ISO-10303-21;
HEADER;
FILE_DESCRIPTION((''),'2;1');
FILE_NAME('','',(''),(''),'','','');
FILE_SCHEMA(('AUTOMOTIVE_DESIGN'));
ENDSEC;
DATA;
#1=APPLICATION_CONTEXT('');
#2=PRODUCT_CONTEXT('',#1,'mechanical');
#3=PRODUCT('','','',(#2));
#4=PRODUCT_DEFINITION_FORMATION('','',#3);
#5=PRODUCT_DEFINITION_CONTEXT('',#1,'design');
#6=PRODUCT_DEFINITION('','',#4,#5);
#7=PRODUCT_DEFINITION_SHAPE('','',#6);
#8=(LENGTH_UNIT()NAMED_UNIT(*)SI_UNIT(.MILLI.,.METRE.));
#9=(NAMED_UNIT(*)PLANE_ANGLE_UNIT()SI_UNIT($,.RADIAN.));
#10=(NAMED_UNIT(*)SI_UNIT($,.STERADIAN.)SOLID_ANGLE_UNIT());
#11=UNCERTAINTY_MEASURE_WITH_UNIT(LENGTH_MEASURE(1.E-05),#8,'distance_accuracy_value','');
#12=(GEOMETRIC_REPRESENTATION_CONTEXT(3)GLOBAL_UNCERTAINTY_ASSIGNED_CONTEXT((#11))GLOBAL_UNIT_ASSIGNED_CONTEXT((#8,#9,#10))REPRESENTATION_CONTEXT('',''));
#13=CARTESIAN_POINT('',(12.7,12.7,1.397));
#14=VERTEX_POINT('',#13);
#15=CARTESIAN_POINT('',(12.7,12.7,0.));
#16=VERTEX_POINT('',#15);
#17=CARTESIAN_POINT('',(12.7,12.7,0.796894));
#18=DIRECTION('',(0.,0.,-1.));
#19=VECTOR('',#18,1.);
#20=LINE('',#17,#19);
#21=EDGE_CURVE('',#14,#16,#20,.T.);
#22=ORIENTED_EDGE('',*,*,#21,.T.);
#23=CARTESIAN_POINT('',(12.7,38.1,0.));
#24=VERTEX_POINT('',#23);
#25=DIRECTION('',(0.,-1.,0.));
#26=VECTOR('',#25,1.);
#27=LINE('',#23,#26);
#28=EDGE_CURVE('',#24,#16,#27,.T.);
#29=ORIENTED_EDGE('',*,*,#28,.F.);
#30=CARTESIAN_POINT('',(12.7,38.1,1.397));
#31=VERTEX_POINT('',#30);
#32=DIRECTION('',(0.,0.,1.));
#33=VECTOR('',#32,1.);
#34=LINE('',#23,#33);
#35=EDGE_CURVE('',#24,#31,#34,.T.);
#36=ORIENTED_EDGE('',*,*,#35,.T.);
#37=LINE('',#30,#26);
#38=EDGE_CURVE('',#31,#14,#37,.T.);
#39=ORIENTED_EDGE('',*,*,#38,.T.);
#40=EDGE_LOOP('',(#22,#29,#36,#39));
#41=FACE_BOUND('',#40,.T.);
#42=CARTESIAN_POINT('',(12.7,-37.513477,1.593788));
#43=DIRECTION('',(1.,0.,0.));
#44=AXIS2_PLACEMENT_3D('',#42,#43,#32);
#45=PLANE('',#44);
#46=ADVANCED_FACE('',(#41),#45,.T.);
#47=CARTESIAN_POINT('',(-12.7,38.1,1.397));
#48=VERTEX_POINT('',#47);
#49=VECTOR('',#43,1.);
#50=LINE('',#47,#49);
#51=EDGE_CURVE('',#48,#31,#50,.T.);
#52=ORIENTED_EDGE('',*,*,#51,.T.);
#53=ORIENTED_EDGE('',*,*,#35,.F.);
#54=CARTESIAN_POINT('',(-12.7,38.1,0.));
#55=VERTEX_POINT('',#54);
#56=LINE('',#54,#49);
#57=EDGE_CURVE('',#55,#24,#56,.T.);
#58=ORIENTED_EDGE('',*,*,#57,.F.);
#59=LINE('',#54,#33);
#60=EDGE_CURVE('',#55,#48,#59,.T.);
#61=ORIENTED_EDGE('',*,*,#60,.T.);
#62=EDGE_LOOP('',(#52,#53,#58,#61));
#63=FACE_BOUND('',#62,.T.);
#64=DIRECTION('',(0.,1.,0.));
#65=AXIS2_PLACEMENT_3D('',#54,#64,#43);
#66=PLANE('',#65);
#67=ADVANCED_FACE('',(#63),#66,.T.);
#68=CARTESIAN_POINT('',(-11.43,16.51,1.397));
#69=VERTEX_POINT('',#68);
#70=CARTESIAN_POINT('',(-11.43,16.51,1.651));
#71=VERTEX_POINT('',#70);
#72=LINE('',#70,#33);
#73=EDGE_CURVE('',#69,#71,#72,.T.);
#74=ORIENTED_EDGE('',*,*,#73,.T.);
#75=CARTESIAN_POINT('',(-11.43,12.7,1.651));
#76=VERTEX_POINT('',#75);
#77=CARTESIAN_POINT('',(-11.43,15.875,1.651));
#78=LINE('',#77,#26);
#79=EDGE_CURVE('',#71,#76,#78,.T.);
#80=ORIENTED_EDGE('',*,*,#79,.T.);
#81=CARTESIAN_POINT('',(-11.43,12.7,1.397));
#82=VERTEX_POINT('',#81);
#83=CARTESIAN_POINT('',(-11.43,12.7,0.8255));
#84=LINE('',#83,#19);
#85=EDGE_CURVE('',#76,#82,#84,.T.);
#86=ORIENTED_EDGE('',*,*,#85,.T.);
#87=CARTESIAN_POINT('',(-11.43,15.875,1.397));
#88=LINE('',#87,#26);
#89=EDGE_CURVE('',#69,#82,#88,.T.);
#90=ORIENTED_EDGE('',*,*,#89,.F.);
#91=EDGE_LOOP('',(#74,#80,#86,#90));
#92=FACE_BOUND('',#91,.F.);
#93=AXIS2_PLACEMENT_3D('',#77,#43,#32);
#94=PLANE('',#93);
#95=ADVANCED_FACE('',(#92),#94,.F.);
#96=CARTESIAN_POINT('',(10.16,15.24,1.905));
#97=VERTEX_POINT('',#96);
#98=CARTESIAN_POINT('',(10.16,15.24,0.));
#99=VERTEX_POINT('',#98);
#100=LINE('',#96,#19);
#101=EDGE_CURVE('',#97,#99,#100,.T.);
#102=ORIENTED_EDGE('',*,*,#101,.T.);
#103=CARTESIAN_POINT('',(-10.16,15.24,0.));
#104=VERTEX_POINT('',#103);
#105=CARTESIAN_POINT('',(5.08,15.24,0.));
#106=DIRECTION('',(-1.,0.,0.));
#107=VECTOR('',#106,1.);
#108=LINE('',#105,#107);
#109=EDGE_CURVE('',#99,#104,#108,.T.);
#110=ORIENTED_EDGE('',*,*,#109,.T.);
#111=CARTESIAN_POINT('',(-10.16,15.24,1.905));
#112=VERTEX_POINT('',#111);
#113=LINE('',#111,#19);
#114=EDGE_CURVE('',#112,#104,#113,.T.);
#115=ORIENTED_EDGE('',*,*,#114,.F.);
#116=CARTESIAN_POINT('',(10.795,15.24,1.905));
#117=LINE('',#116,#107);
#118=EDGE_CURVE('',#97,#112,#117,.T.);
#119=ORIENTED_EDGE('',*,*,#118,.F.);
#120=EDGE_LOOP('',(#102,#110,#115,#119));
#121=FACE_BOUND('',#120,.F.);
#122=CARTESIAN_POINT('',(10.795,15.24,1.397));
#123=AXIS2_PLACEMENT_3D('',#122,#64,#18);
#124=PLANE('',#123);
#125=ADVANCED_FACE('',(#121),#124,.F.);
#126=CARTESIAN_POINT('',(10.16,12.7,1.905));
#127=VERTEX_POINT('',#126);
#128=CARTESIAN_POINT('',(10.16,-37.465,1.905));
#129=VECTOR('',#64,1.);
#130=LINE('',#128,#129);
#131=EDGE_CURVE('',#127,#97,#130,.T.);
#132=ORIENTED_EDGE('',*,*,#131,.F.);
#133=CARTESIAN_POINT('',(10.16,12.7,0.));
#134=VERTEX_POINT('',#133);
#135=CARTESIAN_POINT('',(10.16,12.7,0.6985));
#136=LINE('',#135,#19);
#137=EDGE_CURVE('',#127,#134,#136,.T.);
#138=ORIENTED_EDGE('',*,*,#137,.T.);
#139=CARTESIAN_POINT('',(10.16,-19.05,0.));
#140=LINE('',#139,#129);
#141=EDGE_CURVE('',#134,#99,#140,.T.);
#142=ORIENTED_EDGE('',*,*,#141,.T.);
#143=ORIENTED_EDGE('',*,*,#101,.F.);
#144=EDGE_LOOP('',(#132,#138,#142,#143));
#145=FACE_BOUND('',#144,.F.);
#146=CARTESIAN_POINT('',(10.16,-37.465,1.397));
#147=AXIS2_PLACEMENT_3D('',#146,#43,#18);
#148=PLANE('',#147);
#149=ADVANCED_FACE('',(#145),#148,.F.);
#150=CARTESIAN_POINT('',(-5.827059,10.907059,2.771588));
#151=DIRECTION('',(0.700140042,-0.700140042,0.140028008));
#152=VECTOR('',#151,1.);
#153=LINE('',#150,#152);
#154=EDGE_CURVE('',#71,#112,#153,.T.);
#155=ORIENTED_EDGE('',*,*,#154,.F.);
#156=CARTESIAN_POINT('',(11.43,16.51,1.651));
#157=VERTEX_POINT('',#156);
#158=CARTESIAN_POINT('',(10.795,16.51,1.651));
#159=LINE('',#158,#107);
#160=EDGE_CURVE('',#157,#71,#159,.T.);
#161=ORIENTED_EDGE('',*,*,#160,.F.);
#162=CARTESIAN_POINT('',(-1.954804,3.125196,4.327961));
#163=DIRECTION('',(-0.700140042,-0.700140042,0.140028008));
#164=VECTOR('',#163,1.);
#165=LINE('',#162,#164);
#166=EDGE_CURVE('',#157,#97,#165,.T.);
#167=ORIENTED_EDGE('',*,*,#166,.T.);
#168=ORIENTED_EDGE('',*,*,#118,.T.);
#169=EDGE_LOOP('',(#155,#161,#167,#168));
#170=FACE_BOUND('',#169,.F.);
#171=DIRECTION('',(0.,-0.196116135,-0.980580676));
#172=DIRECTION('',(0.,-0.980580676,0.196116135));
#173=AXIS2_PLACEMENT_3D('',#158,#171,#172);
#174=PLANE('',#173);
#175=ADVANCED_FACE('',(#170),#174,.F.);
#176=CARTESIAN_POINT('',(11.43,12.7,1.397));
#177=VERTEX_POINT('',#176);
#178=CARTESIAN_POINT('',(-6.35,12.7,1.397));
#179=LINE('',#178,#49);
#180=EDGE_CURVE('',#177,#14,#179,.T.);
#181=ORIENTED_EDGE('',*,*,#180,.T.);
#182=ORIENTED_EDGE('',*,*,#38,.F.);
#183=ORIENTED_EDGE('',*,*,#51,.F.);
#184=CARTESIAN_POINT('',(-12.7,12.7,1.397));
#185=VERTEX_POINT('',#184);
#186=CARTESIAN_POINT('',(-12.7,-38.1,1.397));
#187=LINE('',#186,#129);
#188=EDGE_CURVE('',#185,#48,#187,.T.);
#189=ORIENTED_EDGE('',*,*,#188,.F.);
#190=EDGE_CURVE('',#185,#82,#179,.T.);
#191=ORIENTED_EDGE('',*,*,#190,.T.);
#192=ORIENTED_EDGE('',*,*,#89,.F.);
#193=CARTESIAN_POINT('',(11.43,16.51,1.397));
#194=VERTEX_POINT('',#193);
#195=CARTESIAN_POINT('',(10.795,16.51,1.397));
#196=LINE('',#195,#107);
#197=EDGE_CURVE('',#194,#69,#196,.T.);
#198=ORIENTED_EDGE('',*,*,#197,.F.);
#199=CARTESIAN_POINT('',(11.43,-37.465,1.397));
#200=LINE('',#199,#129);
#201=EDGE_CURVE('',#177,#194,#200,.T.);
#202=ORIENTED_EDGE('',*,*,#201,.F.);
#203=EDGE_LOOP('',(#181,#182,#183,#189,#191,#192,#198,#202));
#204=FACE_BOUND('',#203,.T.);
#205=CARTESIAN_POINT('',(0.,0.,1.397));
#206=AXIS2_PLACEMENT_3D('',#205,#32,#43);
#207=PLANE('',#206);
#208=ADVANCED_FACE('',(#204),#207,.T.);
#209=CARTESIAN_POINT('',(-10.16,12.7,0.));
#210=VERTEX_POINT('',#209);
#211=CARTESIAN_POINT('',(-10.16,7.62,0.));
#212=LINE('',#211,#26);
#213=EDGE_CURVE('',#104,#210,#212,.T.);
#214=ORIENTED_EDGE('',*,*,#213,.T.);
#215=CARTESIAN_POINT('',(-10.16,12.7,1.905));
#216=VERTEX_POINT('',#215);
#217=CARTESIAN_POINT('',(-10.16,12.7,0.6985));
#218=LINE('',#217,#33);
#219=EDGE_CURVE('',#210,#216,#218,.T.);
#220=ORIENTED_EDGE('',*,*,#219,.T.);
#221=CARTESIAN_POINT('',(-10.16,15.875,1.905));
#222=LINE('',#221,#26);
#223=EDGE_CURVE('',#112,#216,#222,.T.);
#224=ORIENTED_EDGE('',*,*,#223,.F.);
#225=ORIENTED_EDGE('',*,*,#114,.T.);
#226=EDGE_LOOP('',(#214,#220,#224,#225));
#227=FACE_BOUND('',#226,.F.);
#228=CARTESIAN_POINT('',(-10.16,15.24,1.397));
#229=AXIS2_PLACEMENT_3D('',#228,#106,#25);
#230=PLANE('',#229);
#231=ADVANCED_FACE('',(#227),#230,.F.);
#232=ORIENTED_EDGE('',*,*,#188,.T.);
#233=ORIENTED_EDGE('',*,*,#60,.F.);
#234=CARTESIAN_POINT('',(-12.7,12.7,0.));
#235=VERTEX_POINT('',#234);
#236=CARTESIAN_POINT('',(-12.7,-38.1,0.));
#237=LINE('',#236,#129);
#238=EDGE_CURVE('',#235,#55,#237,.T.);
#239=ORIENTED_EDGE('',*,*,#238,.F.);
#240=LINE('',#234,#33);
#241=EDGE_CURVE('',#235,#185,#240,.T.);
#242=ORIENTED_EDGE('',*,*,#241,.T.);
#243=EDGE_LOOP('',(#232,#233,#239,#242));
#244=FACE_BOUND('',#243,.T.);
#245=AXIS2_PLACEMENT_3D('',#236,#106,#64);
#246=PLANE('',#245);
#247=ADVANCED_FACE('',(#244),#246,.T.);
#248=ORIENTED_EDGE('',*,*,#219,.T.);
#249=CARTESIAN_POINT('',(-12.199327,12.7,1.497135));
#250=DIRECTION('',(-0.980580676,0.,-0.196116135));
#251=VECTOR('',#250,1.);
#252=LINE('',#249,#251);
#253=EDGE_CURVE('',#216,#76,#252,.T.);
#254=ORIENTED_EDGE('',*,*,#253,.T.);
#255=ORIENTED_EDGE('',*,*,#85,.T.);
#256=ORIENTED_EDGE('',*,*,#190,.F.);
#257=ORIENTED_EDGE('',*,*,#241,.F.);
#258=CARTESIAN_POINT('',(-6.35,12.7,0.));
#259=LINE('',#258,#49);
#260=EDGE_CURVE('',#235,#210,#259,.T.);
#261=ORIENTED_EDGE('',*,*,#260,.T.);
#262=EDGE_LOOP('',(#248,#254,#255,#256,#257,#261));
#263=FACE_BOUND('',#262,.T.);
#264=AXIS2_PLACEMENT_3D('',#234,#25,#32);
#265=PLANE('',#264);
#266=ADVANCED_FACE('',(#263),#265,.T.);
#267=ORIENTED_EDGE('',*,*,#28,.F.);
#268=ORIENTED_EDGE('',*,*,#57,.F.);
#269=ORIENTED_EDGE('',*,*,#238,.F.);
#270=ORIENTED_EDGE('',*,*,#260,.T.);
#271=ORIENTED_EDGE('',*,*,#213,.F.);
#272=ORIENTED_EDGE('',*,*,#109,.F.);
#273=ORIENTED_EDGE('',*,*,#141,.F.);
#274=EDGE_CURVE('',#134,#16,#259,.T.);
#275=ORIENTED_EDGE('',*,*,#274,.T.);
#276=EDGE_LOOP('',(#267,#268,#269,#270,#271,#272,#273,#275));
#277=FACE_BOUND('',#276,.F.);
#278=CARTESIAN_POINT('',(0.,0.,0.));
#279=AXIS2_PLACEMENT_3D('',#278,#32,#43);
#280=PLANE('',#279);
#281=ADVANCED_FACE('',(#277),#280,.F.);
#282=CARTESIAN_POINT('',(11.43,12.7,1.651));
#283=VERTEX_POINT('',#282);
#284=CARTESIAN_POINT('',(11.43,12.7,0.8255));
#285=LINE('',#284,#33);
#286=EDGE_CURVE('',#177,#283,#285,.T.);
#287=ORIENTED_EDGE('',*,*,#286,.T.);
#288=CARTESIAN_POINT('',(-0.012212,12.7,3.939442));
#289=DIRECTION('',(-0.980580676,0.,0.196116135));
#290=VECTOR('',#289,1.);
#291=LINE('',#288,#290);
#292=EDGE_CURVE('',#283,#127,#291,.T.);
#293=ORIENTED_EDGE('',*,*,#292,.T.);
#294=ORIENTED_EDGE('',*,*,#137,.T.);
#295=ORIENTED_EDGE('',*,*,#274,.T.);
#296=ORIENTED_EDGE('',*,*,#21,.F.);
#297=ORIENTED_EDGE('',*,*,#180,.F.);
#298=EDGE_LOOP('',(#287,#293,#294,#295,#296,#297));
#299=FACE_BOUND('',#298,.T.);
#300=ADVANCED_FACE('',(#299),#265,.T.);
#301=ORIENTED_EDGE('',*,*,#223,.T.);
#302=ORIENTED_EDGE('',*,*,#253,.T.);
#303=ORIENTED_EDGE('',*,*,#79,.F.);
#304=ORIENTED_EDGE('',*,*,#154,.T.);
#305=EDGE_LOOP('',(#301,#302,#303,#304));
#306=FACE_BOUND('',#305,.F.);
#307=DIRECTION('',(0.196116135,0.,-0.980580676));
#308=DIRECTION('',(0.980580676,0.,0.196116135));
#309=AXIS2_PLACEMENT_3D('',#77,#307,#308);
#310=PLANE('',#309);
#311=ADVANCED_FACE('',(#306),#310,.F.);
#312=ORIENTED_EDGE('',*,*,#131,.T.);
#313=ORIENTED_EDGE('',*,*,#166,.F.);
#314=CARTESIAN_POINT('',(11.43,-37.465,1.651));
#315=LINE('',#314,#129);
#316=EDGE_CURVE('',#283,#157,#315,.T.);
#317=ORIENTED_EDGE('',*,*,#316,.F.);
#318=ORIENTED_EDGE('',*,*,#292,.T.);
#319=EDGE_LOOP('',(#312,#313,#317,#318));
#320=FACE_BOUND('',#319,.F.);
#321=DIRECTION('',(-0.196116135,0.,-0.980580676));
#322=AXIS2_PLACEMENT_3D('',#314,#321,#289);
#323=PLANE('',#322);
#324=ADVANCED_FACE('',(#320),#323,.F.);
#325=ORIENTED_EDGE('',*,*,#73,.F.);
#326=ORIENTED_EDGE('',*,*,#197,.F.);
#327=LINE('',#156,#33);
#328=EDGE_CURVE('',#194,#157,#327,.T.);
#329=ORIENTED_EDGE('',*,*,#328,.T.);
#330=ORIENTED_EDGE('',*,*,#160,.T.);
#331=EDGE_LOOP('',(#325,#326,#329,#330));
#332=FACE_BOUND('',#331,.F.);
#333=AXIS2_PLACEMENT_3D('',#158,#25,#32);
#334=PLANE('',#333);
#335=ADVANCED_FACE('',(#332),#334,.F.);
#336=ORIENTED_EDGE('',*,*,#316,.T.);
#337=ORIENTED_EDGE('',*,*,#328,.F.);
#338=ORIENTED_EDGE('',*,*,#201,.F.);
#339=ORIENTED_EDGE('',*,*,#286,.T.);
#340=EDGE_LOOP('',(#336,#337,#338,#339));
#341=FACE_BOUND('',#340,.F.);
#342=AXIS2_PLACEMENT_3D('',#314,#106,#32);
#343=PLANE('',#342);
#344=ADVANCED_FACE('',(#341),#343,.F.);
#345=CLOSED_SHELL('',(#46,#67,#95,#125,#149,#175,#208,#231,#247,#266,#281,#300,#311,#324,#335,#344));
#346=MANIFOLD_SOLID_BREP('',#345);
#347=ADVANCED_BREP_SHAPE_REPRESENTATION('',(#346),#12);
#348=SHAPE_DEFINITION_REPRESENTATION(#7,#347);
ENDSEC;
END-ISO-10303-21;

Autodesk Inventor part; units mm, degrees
ref_plane "YZ Plane" through (0, 0, 0) normal (1, 0, 0) x (0, 1, 0)
ref_plane "XZ Plane" through (0, 0, 0) normal (0, 1, 0) x (-1, 0, 0)
sketch "Sketch1" plane through (0, 0, 0) normal (0, 0, 1) x (1, 0, 0)
  line L0 (-12.7, 38.1) -> (12.7, 38.1)
  line L1 (12.7, 38.1) -> (12.7, -38.1)
  line L2 (12.7, -38.1) -> (-12.7, -38.1)
  line L3 (-12.7, -38.1) -> (-12.7, 38.1)
  line L4 (-12.7, 38.1) -> (12.7, -38.1) construction
  line L5 (12.7, 38.1) -> (-12.7, -38.1) construction
  point P0 (0, 0)
  dimension "d0" = 25.4
  dimension "d1" = 76.2
extrude "Extrusion1" add sketch "Sketch1" along normal blind 1.397
sketch "Sketch2" plane through (0, 0, 1.397) normal (0, 0, 1) x (1, 0, 0)
  line L0 (-10.16, -38.1) -> (10.16, -38.1)
  line L1 (10.16, -38.1) -> (10.16, 15.24)
  line L2 (10.16, 15.24) -> (-10.16, 15.24)
  line L3 (-10.16, 15.24) -> (-10.16, -38.1)
  line L4 (-12.7, -38.1) -> (12.7, -38.1) projected
  point P0 (0, 0)
  point P1 (0, -38.1)
  dimension "d4" = 20.32
  dimension "d5" = 53.34
extrude "Extrusion2" cut sketch "Sketch2" against normal through all
sketch "Sketch3" plane through (12.7, -38.1, 0) normal (1, 0, 0) x (0, 0, -1)
  line L0 (0, 76.2) -> (0, 0) projected
  line L1 (0, 76.2) -> (-1.397, 76.2) projected
  line L2 (-1.397, 0) -> (-1.397, 76.2) projected
  line L3 (0, 0) -> (-1.397, 0) projected
  line L4 (-1.397, 0) -> (-1.905, 0)
  line L5 (-1.397, 0) -> (-1.397, 1.27)
  line L6 (-1.397, 53.34) -> (-1.397, 0) projected
  line L7 (-1.651, 1.27) -> (-1.397, 1.27)
  line L8 (-1.651, 1.27) -> (-1.905, 0)
  point P0 (0, 38.1)
  dimension "d8" = 0.508
  dimension "d9" = 1.27
  dimension "d10" = 0.254
ref_plane "Work Plane1" through (0, 0, 1.651) normal (0, 0, 1) x (1, 0, 0)
sketch "Sketch6" plane through (0, 0, 1.651) normal (0, 0, 1) x (1, 0, 0)
  line L0 (12.7, -36.83) -> (12.7, -38.1) projected
  line L1 (12.7, -38.1) -> (12.7, 38.1) projected
  line L2 (12.7, -37.465) -> (10.795, -37.465)
  line L3 (10.16, -38.1) -> (12.7, -38.1) projected
  line L4 (10.16, 15.24) -> (10.16, -38.1) projected
  line L5 (10.795, -37.465) -> (10.795, 15.875)
  line L6 (10.795, 15.875) -> (-10.795, 15.875)
  line L7 (-10.795, 15.875) -> (-10.795, -37.465)
  line L8 (-10.795, -37.465) -> (-12.7255, -37.465)
  line L9 (-12.7, -38.1) -> (-10.16, -38.1) projected
  line L10 (-10.16, -38.1) -> (-10.16, 15.24) projected
  line L11 (-10.16, 15.24) -> (10.16, 15.24) projected
  point P0 (0, 0)
  dimension "d12" = 0.635
  dimension "d13" = 0.635
  dimension "d14" = 0.635
  dimension "d15" = 0.635
  dimension "d16" = 0.635
sweep "Sweep1" add profiles "Sketch3" path "Sketch6" path curves L2 L5 L6 L7 L8 contours L4 L8 L7 L2
ref_plane "Work Plane3" through (-12.7, 12.7, 0) normal (0, -1, 0) x (1, 0, 0)
ref_plane "Work Plane2" through (-12.7, -12.7, 0) normal (0, -1, 0) x (1, 0, 0)
split "Split3" plane through (-12.7, -12.7, 0) removes the side toward (0, -1, 0)
split "Split5" plane through (-12.7, 12.7, 0) removes the side toward (0, -1, 0)
properties part number "door-frame"
